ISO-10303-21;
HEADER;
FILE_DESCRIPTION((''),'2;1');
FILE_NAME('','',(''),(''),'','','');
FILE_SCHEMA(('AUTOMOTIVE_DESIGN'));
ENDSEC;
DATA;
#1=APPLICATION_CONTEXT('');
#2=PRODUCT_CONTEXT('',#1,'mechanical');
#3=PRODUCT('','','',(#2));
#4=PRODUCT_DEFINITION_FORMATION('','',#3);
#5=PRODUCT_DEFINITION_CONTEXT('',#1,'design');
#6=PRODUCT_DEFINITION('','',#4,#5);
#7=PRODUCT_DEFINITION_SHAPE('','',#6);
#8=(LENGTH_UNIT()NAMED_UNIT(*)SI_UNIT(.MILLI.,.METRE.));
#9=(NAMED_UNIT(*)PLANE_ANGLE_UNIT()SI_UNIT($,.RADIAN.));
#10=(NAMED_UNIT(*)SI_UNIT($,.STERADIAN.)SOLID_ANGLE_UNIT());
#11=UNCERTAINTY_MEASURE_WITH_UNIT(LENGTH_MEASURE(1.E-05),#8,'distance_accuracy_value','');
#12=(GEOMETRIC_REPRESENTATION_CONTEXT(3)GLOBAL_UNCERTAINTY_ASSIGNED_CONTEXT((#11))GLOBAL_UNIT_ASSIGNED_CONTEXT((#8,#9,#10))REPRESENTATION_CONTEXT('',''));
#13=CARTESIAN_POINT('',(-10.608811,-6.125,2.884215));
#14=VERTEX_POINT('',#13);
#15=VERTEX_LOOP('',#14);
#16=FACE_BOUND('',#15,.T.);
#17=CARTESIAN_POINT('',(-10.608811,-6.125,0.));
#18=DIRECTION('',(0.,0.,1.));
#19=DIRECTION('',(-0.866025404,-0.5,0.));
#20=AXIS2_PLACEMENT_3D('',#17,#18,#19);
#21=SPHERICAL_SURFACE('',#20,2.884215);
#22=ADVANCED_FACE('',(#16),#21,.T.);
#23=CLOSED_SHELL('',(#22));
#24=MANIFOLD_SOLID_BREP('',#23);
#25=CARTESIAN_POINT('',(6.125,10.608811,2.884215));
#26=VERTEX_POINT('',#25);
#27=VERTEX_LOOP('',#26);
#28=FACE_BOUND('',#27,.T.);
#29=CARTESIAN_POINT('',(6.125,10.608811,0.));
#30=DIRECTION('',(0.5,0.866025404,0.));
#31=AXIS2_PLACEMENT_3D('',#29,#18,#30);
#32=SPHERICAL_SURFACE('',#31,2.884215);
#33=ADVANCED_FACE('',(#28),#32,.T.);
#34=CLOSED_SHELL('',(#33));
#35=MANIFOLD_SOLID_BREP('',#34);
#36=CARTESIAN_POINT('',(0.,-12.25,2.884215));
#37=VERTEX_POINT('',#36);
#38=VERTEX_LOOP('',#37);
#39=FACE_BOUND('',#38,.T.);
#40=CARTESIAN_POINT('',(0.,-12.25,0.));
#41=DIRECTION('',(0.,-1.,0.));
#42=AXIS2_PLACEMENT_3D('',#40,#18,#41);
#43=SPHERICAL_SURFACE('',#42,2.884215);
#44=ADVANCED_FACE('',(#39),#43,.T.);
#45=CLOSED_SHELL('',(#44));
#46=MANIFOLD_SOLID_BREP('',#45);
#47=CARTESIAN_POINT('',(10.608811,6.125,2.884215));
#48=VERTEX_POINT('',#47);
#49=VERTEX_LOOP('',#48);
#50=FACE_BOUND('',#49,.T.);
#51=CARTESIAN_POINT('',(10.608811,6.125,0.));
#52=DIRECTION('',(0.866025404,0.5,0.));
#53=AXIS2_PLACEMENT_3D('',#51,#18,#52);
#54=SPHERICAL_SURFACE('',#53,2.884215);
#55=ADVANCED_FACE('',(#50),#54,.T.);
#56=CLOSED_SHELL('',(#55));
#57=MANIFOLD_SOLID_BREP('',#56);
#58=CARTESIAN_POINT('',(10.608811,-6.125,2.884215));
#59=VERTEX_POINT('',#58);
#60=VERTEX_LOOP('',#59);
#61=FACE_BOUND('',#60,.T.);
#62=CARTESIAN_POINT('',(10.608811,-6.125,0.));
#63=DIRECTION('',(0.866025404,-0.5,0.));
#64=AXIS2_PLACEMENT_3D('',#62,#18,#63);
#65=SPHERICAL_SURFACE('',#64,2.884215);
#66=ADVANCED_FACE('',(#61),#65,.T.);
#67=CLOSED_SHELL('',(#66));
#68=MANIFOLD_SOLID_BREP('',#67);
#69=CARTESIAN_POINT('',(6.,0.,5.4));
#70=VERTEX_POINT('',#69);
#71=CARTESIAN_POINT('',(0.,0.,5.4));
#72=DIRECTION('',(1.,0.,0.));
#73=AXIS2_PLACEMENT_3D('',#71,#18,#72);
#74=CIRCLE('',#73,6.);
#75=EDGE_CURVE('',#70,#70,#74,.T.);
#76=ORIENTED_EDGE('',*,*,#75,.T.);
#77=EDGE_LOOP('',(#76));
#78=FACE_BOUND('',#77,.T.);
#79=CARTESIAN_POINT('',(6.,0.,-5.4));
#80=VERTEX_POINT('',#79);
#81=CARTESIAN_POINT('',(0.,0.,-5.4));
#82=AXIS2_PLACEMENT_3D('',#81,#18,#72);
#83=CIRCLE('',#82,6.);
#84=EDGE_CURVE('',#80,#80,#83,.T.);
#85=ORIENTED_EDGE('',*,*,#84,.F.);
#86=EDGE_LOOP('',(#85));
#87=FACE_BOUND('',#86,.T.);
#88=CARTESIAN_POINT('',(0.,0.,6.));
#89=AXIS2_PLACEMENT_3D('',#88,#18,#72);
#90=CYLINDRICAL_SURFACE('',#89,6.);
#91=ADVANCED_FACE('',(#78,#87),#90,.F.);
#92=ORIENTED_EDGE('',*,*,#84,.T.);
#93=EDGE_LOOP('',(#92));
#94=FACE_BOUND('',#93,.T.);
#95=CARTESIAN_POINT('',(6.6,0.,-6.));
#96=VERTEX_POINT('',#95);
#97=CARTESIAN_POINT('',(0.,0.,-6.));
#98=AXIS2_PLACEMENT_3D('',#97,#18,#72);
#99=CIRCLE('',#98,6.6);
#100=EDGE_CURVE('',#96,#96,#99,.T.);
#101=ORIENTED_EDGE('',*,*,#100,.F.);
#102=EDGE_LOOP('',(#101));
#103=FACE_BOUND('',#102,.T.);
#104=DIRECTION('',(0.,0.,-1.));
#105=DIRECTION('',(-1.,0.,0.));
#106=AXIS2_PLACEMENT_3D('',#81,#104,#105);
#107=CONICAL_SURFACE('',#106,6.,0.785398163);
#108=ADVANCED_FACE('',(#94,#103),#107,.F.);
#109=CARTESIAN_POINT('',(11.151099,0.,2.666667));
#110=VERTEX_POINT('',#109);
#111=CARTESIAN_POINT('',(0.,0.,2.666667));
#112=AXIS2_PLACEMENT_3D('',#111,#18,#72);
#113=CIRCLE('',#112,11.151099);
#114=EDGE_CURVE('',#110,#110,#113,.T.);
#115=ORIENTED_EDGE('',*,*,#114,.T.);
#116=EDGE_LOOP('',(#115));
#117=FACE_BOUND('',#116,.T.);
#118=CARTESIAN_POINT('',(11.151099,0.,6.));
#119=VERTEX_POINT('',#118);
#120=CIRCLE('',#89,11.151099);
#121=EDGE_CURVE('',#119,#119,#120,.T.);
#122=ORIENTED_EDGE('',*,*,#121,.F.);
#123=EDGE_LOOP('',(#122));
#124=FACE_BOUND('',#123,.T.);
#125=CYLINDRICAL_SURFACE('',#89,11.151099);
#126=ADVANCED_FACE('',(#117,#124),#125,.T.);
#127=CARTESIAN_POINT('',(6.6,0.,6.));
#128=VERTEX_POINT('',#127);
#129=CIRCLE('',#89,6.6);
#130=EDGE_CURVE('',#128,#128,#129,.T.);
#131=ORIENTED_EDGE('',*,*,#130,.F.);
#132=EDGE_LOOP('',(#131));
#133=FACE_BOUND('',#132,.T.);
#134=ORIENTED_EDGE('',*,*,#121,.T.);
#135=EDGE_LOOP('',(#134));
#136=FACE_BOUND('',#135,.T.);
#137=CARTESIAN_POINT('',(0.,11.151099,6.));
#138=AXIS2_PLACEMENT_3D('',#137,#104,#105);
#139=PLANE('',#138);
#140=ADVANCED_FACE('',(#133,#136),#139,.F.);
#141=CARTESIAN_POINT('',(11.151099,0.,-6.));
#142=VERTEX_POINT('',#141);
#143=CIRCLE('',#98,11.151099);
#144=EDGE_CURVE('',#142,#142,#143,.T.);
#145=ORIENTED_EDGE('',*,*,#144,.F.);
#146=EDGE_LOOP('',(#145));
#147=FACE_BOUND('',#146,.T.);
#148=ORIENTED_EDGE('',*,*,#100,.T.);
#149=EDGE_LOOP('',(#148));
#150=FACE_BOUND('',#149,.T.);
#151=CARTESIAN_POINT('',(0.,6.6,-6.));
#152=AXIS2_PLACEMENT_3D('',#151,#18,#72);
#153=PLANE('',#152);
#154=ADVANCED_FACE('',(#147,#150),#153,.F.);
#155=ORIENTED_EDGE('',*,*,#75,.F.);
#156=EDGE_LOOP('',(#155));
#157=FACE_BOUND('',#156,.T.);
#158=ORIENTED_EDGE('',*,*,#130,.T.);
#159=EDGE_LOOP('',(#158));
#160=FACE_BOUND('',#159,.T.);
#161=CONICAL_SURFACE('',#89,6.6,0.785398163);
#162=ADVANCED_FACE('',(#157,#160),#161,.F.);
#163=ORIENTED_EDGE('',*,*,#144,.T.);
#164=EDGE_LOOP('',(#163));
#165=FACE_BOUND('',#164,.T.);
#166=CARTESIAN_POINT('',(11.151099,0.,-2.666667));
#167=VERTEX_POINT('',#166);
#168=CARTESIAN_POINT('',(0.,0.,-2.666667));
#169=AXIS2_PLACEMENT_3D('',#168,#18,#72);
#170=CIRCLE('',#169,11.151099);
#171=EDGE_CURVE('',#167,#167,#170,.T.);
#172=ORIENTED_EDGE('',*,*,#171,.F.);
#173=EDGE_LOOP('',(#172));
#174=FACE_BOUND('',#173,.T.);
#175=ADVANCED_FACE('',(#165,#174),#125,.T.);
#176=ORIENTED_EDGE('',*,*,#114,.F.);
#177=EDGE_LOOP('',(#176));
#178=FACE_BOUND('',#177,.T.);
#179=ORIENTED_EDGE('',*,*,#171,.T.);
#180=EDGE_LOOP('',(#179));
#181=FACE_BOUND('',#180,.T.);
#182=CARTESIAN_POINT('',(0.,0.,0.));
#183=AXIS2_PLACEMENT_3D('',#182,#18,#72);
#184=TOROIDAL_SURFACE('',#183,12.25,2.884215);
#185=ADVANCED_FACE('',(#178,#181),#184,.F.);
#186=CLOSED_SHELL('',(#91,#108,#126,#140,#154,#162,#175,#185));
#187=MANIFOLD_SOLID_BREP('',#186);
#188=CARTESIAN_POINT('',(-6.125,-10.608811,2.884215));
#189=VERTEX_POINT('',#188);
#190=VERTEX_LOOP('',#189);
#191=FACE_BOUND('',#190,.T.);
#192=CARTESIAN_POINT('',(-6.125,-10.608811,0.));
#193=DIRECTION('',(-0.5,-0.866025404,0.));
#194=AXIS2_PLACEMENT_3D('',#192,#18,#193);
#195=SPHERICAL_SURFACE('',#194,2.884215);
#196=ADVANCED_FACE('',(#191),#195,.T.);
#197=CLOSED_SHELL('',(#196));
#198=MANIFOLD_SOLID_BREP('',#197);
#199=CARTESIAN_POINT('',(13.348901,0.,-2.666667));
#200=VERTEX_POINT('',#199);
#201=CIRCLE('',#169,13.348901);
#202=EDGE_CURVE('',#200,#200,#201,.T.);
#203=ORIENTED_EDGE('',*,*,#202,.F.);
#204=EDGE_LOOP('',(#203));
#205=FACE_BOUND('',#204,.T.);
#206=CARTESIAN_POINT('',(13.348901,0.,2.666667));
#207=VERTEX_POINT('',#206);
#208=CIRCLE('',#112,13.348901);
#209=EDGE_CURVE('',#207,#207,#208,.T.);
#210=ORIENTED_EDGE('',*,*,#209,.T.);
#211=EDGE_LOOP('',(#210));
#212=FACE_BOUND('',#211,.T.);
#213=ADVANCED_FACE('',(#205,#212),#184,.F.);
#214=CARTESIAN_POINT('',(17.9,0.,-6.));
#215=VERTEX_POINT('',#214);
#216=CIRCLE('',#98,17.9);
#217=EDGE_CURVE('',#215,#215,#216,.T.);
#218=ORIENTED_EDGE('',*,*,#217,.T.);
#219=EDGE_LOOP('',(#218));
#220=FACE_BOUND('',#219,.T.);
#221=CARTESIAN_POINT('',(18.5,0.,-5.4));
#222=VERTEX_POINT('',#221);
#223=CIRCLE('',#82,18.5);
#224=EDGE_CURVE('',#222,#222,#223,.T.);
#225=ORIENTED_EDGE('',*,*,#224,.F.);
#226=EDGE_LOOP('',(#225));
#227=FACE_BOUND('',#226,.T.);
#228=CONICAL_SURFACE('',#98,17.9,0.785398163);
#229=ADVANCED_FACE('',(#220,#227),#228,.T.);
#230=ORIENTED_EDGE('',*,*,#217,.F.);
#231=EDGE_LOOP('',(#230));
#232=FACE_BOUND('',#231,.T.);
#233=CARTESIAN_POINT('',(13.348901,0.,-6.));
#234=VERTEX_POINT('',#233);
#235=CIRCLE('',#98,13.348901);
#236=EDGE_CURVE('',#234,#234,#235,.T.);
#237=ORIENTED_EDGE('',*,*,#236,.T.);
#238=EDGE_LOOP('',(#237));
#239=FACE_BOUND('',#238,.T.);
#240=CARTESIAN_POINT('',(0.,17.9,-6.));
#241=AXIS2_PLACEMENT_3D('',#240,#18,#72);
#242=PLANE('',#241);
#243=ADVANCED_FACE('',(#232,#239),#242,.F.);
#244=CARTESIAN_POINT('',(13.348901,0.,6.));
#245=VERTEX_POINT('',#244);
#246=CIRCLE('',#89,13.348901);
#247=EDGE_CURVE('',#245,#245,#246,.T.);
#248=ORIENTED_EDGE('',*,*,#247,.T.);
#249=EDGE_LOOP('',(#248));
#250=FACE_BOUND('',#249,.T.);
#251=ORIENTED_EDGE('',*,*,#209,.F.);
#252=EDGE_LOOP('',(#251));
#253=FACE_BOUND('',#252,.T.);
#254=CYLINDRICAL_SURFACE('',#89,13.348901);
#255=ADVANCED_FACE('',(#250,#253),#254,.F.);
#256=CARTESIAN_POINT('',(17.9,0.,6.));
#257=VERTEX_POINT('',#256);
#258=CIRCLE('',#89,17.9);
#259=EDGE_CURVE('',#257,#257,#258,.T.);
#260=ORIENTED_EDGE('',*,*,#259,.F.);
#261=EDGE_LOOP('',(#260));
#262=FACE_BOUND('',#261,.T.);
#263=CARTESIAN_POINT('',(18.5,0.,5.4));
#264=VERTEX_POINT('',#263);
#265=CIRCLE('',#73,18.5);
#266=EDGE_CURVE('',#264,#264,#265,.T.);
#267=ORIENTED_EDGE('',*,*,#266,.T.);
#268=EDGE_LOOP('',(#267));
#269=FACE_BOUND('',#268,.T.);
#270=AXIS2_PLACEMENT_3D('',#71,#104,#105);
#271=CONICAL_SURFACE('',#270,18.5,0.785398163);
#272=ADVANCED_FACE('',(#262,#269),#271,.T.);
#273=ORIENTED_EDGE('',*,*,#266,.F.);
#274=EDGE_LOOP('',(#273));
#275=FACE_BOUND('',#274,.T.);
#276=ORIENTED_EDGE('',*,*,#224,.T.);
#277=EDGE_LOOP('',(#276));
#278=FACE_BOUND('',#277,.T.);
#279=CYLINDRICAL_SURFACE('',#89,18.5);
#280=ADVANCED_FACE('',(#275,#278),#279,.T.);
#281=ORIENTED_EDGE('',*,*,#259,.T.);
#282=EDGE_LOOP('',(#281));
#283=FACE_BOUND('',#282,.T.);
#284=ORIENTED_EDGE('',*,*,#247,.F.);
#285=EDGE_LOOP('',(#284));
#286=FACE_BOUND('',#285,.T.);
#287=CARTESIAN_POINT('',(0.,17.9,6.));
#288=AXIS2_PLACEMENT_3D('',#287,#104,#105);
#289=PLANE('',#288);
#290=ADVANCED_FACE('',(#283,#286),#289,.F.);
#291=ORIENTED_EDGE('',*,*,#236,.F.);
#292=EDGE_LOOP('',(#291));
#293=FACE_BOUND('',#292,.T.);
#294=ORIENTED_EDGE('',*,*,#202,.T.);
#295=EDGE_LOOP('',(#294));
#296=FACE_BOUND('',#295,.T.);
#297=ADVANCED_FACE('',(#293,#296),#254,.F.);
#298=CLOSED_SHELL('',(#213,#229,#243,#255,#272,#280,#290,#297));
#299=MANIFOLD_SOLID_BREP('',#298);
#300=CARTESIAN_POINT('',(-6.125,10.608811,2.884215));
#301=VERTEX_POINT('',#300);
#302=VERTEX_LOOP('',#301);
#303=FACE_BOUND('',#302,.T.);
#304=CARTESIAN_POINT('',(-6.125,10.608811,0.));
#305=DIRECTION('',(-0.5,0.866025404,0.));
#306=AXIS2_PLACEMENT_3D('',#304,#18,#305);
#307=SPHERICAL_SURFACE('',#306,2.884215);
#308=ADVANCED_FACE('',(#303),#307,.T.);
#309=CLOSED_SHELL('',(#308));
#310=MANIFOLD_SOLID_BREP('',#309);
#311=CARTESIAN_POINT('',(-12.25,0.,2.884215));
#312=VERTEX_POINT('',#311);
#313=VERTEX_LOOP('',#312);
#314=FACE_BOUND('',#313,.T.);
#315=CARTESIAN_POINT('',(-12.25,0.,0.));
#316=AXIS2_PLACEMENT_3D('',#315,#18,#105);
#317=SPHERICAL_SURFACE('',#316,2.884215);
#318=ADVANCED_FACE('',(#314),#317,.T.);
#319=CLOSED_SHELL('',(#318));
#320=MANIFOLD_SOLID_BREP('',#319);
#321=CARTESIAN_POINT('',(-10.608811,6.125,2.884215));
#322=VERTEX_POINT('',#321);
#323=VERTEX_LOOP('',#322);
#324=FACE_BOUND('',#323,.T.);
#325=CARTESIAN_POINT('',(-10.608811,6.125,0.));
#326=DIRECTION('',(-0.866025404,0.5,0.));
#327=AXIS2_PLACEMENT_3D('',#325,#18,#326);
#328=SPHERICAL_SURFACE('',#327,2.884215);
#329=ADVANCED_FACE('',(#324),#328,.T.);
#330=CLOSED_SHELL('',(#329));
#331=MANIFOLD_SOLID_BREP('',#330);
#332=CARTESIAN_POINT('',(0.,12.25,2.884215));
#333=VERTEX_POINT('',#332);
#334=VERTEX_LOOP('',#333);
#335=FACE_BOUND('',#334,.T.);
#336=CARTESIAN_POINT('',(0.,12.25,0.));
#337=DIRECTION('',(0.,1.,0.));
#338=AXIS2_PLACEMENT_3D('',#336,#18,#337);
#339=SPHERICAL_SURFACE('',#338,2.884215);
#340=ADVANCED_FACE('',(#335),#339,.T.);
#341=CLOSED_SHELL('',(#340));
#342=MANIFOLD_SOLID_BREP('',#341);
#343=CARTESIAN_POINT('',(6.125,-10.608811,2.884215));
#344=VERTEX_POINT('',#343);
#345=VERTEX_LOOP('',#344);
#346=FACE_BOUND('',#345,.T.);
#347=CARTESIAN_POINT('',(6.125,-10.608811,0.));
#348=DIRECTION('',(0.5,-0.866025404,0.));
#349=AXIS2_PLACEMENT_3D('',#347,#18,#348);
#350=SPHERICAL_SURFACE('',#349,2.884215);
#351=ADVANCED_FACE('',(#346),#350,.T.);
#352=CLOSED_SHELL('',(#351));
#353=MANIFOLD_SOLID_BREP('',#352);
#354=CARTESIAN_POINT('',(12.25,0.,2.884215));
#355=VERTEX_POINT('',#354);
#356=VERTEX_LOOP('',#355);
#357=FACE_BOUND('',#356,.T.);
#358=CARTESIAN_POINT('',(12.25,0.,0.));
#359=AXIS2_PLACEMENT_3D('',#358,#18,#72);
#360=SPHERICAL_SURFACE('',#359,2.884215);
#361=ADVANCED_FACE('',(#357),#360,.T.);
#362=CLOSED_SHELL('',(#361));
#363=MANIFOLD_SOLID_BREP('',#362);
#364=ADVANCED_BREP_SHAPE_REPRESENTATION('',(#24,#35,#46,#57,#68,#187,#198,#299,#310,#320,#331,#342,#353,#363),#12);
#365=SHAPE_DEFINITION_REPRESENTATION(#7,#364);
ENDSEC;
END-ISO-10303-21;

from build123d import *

# Parameters (mm, degrees)
CIRPATTERN1_COUNT = 12


with BuildPart() as part:
    # Sketch1 → Revolve1 (revolve)
    with BuildSketch(Plane(origin=(0, 0, 0), x_dir=(0, 0, -1), z_dir=(1, 0, 0))):
        with BuildLine():
            Line((5.4, 18.5), (-5.4, 18.5))
            Line((-5.4, 18.5), (-6, 17.9))
            Line((-6, 17.9), (-6, 13.348901099))
            Line((-6, 13.348901099), (-2.666666667, 13.348901099))
            ThreePointArc((-2.666666667, 13.348901099), (0, 15.134214752), (2.666666667, 13.348901099))
            Line((2.666666667, 13.348901099), (6, 13.348901099))
            Line((6, 13.348901099), (6, 17.9))
            Line((6, 17.9), (5.4, 18.5))
        make_face()
    revolve(axis=Axis((0, 0, 6), (0, 0, -1)))


with BuildPart() as body_2:
    # Sketch3 → Revolve3 (revolve)
    with BuildSketch(Plane(origin=(0, 0, 0), x_dir=(0, 0, -1), z_dir=(1, 0, 0))):
        with BuildLine():
            Line((-6, 11.151098901), (-2.666666667, 11.151098901))
            ThreePointArc((-2.666666667, 11.151098901), (0, 9.365785248), (2.666666667, 11.151098901))
            Line((2.666666667, 11.151098901), (6, 11.151098901))
            Line((6, 11.151098901), (6, 6.6))
            Line((6, 6.6), (5.4, 6))
            Line((5.4, 6), (-5.4, 6))
            Line((-5.4, 6), (-6, 6.6))
            Line((-6, 6.6), (-6, 11.151098901))
        make_face()
    revolve(axis=Axis((0, 0, 6), (0, 0, -1)))


with BuildPart() as body_3:
    # Sketch4 → Revolve4 (revolve)
    with BuildSketch(Plane(origin=(0, 0, 0), x_dir=(0, 0, -1), z_dir=(1, 0, 0))):
        with BuildLine():
            Line((-2.884214752, 12.25), (2.884214752, 12.25))
            ThreePointArc((2.884214752, 12.25), (0, 15.134214752), (-2.884214752, 12.25))
        make_face()
    revolve(axis=Axis((0, 12.25, 2.884214752), (0, 0, -1)))


with BuildPart() as cirpattern1_1:
    # CirPattern1: pattern copy
    add(body_3.part.rotate(Axis((0, 0, -6), (0, 0, 1)), 1 * 360 / CIRPATTERN1_COUNT))


with BuildPart() as cirpattern1_2:
    # CirPattern1: pattern copy
    add(body_3.part.rotate(Axis((0, 0, -6), (0, 0, 1)), 2 * 360 / CIRPATTERN1_COUNT))


with BuildPart() as cirpattern1_3:
    # CirPattern1: pattern copy
    add(body_3.part.rotate(Axis((0, 0, -6), (0, 0, 1)), 3 * 360 / CIRPATTERN1_COUNT))


with BuildPart() as cirpattern1_4:
    # CirPattern1: pattern copy
    add(body_3.part.rotate(Axis((0, 0, -6), (0, 0, 1)), 4 * 360 / CIRPATTERN1_COUNT))


with BuildPart() as cirpattern1_5:
    # CirPattern1: pattern copy
    add(body_3.part.rotate(Axis((0, 0, -6), (0, 0, 1)), 5 * 360 / CIRPATTERN1_COUNT))


with BuildPart() as cirpattern1_6:
    # CirPattern1: pattern copy
    add(body_3.part.rotate(Axis((0, 0, -6), (0, 0, 1)), 6 * 360 / CIRPATTERN1_COUNT))


with BuildPart() as cirpattern1_7:
    # CirPattern1: pattern copy
    add(body_3.part.rotate(Axis((0, 0, -6), (0, 0, 1)), 7 * 360 / CIRPATTERN1_COUNT))


with BuildPart() as cirpattern1_8:
    # CirPattern1: pattern copy
    add(body_3.part.rotate(Axis((0, 0, -6), (0, 0, 1)), 8 * 360 / CIRPATTERN1_COUNT))


with BuildPart() as cirpattern1_9:
    # CirPattern1: pattern copy
    add(body_3.part.rotate(Axis((0, 0, -6), (0, 0, 1)), 9 * 360 / CIRPATTERN1_COUNT))


with BuildPart() as cirpattern1_10:
    # CirPattern1: pattern copy
    add(body_3.part.rotate(Axis((0, 0, -6), (0, 0, 1)), 10 * 360 / CIRPATTERN1_COUNT))


with BuildPart() as cirpattern1_11:
    # CirPattern1: pattern copy
    add(body_3.part.rotate(Axis((0, 0, -6), (0, 0, 1)), 11 * 360 / CIRPATTERN1_COUNT))


solid = Compound([part.part, body_2.part, body_3.part, cirpattern1_1.part, cirpattern1_2.part, cirpattern1_3.part, cirpattern1_4.part, cirpattern1_5.part, cirpattern1_6.part, cirpattern1_7.part, cirpattern1_8.part, cirpattern1_9.part, cirpattern1_10.part, cirpattern1_11.part])
